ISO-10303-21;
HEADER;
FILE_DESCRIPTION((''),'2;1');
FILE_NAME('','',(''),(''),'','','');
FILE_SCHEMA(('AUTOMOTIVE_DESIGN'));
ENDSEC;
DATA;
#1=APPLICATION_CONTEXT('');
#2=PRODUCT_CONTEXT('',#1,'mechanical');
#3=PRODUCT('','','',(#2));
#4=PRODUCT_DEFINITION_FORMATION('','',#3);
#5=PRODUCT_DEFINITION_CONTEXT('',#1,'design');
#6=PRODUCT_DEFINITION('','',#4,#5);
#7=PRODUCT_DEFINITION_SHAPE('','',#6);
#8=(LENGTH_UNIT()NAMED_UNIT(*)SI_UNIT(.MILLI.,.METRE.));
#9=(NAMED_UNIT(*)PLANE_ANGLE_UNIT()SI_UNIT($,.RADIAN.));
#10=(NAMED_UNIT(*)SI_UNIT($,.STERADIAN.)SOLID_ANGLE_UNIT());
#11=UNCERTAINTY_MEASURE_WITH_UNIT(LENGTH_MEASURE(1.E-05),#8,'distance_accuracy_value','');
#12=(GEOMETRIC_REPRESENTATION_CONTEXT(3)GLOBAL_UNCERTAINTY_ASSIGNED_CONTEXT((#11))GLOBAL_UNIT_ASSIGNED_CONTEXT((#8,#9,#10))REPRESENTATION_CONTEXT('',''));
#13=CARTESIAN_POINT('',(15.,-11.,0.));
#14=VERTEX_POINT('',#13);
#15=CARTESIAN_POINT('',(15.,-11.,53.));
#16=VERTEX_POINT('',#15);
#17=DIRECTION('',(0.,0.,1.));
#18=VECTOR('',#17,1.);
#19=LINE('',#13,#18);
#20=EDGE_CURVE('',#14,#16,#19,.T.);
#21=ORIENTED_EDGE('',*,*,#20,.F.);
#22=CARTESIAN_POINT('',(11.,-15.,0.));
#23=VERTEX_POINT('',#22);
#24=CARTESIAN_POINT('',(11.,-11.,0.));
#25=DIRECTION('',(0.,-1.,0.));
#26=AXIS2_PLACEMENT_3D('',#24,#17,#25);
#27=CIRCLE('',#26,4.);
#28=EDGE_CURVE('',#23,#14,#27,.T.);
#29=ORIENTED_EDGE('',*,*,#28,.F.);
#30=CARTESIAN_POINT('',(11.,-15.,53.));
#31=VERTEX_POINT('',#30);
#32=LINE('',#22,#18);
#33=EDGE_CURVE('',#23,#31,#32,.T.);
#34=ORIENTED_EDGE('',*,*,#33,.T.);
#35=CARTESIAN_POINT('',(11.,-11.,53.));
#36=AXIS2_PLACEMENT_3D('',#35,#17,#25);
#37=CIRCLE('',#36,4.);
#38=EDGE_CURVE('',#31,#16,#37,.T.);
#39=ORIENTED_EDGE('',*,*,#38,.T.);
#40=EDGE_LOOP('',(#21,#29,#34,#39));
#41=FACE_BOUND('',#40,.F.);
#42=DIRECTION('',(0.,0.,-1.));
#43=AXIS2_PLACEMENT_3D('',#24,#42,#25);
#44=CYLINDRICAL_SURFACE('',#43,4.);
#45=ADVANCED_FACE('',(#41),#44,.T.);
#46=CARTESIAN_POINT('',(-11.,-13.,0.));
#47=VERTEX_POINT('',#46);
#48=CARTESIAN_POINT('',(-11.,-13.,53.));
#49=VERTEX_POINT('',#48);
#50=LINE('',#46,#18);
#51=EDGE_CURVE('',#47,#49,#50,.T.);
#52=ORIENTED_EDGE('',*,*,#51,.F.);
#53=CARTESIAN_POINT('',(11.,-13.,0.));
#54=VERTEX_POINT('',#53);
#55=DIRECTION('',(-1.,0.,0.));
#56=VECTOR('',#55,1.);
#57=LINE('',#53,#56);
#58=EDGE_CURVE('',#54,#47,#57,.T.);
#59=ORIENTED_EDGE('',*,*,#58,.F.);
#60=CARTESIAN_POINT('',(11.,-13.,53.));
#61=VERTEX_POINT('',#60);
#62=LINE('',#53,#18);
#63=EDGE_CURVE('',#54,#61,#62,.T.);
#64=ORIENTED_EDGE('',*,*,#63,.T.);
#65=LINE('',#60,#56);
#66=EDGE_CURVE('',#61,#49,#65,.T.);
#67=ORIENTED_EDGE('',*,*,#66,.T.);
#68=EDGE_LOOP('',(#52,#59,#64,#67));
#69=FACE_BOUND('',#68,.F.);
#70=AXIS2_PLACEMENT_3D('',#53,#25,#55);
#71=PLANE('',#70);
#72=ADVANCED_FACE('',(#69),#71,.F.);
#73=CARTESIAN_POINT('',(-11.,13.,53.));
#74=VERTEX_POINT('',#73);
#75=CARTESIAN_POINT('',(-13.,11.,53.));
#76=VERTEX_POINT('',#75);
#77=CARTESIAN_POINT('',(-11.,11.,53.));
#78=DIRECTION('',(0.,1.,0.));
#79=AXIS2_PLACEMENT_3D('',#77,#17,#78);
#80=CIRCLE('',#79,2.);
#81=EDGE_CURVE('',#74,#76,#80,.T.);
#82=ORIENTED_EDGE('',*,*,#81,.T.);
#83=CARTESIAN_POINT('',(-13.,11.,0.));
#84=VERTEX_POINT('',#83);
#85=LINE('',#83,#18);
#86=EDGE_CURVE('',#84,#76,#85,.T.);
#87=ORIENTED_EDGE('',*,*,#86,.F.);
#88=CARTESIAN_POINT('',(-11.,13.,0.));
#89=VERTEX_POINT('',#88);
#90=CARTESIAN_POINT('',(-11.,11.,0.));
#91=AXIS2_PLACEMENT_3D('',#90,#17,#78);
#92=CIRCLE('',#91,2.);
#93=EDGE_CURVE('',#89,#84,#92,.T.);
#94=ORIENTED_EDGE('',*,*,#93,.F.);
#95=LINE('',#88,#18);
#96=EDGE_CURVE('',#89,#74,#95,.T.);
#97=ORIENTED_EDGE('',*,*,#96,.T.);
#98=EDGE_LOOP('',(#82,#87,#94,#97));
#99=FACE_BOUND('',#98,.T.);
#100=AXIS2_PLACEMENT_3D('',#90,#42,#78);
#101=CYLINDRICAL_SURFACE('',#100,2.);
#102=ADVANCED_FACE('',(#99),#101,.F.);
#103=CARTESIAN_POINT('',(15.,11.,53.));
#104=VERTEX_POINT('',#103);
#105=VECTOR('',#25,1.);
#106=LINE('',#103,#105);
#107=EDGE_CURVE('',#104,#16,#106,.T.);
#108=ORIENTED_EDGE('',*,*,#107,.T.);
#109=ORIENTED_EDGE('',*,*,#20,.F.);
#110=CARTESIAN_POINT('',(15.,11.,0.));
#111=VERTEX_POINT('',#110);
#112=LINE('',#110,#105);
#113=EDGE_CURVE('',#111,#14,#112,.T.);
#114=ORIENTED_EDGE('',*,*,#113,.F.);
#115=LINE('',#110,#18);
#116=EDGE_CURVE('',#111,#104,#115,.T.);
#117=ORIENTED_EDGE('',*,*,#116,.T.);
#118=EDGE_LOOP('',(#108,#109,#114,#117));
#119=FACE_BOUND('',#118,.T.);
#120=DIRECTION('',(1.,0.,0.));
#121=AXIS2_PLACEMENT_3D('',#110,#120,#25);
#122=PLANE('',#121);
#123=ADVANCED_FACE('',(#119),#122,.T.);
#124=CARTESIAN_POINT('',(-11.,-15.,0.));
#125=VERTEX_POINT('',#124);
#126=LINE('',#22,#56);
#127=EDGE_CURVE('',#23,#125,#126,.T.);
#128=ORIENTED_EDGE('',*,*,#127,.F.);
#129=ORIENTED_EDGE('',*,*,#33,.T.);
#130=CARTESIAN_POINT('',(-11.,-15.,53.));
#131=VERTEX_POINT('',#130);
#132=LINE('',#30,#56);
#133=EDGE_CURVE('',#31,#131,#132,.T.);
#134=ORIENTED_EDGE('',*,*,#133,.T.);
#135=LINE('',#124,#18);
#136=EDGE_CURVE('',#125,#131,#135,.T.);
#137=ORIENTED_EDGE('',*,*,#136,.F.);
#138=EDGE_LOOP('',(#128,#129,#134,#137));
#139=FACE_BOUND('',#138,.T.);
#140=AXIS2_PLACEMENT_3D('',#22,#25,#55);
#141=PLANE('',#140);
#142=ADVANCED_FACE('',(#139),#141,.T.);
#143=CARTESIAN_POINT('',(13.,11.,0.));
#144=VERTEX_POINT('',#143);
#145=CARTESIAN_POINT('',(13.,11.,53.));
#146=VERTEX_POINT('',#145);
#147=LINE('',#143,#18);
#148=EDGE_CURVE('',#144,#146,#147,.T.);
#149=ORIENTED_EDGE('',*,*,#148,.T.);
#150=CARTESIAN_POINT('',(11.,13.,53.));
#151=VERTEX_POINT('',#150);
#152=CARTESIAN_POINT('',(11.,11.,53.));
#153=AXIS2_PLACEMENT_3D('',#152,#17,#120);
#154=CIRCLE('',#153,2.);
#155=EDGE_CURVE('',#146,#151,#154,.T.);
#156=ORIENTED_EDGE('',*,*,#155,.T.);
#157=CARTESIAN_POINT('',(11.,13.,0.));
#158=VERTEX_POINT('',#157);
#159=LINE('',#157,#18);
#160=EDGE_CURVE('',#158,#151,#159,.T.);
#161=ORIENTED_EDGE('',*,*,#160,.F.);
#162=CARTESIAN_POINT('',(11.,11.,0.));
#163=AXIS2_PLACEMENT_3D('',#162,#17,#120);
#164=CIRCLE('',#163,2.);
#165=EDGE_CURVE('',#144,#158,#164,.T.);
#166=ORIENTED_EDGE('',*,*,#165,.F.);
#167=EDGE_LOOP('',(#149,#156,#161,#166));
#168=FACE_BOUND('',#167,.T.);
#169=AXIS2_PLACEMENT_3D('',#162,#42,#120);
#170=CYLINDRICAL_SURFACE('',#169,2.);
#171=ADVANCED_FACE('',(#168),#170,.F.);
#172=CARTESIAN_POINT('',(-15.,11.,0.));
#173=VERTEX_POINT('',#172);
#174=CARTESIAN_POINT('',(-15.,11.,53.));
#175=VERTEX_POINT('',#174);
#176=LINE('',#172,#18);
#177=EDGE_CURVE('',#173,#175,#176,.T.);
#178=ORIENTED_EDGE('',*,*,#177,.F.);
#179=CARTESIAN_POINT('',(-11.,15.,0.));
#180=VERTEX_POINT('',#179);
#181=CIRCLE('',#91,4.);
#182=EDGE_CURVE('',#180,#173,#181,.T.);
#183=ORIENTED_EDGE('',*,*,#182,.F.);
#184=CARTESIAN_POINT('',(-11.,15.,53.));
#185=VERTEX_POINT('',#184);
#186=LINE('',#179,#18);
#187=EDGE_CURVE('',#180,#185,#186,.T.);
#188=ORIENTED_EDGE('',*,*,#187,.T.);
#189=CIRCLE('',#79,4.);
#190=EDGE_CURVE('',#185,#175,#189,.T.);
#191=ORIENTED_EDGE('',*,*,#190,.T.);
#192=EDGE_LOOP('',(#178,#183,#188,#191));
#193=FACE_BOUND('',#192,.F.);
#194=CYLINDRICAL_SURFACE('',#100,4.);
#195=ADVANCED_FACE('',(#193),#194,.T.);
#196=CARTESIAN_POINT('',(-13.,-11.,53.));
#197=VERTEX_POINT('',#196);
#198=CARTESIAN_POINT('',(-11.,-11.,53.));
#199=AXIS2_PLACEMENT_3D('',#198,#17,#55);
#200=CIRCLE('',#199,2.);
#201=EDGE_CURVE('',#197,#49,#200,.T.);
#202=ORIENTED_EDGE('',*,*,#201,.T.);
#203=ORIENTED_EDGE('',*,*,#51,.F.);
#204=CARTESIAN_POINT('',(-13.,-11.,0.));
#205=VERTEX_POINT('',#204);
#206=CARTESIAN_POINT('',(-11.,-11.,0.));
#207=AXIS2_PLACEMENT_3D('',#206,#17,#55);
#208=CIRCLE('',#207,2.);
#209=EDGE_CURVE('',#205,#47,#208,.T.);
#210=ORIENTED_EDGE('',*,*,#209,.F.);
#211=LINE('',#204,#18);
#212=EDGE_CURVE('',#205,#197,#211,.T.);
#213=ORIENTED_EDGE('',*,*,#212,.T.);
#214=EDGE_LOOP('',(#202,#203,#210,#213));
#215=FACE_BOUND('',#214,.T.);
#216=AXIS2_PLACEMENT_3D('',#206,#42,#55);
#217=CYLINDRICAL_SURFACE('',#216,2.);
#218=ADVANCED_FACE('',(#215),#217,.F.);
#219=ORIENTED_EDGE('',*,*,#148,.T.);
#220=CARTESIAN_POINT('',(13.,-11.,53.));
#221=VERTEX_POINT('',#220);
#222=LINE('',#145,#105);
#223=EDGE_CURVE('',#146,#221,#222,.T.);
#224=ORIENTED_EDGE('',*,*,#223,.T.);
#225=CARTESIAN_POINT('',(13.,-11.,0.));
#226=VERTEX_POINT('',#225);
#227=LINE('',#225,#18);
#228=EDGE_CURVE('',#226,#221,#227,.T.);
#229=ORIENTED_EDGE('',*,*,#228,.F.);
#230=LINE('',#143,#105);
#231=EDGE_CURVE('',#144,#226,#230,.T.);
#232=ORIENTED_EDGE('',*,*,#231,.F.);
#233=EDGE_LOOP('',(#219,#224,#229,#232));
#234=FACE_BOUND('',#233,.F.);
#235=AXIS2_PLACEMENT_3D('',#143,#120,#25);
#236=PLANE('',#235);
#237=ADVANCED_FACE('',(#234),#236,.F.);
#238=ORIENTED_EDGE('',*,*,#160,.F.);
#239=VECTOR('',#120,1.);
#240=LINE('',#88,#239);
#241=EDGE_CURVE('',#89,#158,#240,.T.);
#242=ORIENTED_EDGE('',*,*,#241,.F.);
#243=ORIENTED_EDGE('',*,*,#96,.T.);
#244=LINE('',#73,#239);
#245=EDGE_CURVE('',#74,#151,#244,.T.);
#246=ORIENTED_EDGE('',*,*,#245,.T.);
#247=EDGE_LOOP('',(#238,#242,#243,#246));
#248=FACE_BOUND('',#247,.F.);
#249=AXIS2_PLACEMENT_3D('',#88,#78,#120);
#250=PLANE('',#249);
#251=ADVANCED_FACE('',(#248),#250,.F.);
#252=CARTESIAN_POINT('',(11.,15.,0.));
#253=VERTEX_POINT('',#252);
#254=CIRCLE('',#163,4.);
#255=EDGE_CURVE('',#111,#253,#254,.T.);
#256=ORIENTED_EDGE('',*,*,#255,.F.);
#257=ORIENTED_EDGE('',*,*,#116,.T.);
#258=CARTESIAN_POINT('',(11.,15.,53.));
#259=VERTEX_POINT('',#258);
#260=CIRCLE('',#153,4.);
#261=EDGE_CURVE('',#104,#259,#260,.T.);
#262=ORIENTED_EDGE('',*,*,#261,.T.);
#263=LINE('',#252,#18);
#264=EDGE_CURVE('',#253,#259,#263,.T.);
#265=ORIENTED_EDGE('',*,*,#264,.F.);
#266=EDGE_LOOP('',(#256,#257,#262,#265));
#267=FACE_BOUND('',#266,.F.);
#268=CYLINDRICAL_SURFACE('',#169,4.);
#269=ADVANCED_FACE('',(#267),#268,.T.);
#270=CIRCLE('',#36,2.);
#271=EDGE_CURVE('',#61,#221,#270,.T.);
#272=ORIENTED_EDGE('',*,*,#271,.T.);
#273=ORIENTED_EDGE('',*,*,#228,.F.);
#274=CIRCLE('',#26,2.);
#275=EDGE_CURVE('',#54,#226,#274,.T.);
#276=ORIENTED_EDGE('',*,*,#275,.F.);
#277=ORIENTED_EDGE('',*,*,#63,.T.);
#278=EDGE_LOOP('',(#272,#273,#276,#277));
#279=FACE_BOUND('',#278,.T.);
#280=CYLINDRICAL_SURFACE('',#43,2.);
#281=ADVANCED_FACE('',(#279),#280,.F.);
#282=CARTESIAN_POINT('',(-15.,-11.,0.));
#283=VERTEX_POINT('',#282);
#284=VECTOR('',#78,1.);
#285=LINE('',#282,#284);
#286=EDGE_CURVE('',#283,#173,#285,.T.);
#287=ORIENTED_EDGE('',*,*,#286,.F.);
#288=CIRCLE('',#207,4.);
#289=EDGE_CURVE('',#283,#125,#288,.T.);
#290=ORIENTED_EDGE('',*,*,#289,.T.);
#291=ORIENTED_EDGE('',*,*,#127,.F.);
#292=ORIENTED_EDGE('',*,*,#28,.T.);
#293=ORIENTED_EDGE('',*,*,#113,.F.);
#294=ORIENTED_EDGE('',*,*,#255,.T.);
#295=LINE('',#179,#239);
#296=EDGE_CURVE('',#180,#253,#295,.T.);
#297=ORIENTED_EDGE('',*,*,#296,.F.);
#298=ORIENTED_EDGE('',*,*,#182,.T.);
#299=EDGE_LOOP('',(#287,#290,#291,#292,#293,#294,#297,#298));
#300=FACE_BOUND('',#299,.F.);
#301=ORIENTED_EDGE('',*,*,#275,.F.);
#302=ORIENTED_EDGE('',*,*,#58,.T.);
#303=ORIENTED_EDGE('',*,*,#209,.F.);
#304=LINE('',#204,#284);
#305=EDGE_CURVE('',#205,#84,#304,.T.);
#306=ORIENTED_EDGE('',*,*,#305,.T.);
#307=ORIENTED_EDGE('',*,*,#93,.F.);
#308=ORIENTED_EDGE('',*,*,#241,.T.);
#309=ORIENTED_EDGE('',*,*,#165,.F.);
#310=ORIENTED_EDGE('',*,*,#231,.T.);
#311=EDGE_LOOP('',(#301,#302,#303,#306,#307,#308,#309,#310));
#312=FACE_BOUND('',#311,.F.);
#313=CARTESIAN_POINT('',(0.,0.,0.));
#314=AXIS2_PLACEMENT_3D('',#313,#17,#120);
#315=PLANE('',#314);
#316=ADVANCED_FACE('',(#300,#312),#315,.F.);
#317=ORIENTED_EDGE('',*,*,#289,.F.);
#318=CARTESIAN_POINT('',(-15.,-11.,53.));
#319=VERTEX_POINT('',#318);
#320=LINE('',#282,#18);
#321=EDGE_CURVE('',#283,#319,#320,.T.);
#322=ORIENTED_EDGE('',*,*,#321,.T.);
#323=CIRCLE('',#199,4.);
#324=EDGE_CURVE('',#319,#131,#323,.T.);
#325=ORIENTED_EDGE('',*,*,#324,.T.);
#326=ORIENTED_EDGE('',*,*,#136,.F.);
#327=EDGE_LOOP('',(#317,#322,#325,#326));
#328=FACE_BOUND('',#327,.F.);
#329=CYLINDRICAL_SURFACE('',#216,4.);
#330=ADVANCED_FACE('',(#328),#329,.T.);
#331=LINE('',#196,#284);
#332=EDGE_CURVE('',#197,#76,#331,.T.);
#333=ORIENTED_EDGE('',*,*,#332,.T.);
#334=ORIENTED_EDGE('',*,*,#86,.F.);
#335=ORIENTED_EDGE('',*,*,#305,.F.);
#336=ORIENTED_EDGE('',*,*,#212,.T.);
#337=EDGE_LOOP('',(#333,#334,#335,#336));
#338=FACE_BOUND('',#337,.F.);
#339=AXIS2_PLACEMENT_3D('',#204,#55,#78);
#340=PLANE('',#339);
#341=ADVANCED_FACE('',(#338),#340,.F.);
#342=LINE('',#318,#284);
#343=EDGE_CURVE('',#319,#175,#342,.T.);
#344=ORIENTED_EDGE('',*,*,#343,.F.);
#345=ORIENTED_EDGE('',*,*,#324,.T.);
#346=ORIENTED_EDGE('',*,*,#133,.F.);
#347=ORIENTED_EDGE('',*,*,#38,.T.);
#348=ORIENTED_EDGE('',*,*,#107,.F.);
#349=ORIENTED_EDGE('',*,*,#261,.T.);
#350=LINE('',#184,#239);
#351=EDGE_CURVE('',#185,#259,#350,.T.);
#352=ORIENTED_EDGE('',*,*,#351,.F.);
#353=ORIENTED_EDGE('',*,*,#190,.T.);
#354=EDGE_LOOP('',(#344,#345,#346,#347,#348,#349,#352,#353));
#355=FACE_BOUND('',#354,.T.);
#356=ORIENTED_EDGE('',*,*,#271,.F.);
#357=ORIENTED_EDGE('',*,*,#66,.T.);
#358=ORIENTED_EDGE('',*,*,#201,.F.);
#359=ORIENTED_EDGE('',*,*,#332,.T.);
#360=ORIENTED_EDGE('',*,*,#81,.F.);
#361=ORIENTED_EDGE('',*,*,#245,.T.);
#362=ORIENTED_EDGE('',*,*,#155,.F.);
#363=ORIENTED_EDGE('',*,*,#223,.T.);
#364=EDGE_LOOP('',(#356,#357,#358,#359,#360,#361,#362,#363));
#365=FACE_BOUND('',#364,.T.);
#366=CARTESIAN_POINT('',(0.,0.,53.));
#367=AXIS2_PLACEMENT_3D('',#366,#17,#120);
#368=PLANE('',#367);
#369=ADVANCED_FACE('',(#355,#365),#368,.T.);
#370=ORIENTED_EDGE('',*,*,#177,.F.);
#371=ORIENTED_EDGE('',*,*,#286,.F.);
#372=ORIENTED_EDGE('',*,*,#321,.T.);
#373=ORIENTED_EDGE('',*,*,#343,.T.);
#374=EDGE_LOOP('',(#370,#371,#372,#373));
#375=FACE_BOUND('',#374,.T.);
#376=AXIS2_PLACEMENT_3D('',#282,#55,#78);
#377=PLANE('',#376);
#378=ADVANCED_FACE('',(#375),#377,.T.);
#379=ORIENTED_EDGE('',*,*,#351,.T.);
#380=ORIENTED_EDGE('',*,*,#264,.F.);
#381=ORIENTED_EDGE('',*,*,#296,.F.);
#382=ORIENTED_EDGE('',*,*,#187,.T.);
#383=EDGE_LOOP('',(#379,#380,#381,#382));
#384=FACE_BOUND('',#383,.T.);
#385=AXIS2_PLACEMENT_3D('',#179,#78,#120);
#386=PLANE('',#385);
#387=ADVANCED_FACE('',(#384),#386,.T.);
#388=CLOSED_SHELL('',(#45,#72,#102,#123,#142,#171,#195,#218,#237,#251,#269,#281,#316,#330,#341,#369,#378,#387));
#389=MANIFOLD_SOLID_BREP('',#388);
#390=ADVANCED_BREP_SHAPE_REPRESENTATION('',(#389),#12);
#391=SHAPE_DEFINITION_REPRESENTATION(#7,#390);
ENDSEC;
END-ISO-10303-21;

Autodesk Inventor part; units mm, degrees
ref_plane "YZ Plane" through (0, 0, 0) normal (1, 0, 0) x (0, 1, 0)
ref_plane "Plan de départ" through (0, 0, 0) normal (0, 0, 1) x (1, 0, 0)
ref_plane "Plan de fin" through (0, 0, 53) normal (0, 0, 1) x (1, 0, 0)
sketch "Esquisse" plane through (0, 0, 0) normal (0, 0, 1) x (1, 0, 0)
  line L0 (-15, -11) -> (-15, 11)
  line L1 (-11, 15) -> (11, 15)
  line L2 (15, 11) -> (15, -11)
  line L3 (11, -15) -> (-11, -15)
  arc A0 (-15, -11) -> (-11, -15) centre (-11, -11) ccw
  arc A1 (15, 11) -> (11, 15) centre (11, 11) ccw
  arc A2 (-11, 15) -> (-15, 11) centre (-11, 11) ccw
  arc A3 (11, -15) -> (15, -11) centre (11, -11) ccw
  arc A4 (-11, 13) -> (-13, 11) centre (-11, 11) ccw
  line L4 (-11, 13) -> (11, 13)
  arc A5 (13, 11) -> (11, 13) centre (11, 11) ccw
  line L5 (13, 11) -> (13, -11)
  arc A6 (11, -13) -> (13, -11) centre (11, -11) ccw
  line L6 (11, -13) -> (-11, -13)
  arc A7 (-13, -11) -> (-11, -13) centre (-11, -11) ccw
  line L7 (-13, -11) -> (-13, 11)
  line L8 (0, 22.1598) -> (0, -22.1598) construction
  line L9 (-22.1598, 0) -> (22.1598, 0) construction
  dimension "d7" = 4
  dimension "d9" = 30
  dimension "d11" = 30
  dimension "d12" = 2
  dimension "d15" = 15
  dimension "d16" = 15
extrude "Corps" add sketch "Esquisse" along normal up to surface (53 mm away) from surface at 0
sketch "Sketch3" plane through (0, 0, 0) normal (0, 0, 1) x (1, 0, 0)
  line L0 (0, 0) -> (10, 0)
ref_plane "Work Plane3" through (0, 0, 0) normal (0, -1, 0) x (1, 0, 0)
sketch "Sketch4" plane through (0, 0, 0) normal (0, -1, 0) x (1, 0, 0)
  line L0 (-2, 0) -> (12, 0) projected
  line L1 (-2, 53) -> (12, 53) projected
  dimension "d18" = 53
equation "\"d7\" = G_IR"
equation "\"d9\" = G_W"
equation "\"d11\" = G_H"
equation "\"d12\" = G_T"
equation "\"d15\" = 0.5 * d9"
equation "\"d16\" = 0.5 * d11"
equation "\"d3\" = G_L"
equation "\"G_W\" = 30"
equation "\"G_H\" = 30"
equation "\"G_T\" = 2"
equation "\"G_IR\" = 4"
equation "\"G_L\" = d18"
equation "\"G_OFFSET_START\" = 0"
equation "\"G_OFFSET_END\" = 0"
equation "\"d14\" = G_OFFSET_END + B_L"
equation "\"B_L\" = 53"
properties part number "ISO 10799-2 - 30x30x2 - 53" material "Acier, doux"
